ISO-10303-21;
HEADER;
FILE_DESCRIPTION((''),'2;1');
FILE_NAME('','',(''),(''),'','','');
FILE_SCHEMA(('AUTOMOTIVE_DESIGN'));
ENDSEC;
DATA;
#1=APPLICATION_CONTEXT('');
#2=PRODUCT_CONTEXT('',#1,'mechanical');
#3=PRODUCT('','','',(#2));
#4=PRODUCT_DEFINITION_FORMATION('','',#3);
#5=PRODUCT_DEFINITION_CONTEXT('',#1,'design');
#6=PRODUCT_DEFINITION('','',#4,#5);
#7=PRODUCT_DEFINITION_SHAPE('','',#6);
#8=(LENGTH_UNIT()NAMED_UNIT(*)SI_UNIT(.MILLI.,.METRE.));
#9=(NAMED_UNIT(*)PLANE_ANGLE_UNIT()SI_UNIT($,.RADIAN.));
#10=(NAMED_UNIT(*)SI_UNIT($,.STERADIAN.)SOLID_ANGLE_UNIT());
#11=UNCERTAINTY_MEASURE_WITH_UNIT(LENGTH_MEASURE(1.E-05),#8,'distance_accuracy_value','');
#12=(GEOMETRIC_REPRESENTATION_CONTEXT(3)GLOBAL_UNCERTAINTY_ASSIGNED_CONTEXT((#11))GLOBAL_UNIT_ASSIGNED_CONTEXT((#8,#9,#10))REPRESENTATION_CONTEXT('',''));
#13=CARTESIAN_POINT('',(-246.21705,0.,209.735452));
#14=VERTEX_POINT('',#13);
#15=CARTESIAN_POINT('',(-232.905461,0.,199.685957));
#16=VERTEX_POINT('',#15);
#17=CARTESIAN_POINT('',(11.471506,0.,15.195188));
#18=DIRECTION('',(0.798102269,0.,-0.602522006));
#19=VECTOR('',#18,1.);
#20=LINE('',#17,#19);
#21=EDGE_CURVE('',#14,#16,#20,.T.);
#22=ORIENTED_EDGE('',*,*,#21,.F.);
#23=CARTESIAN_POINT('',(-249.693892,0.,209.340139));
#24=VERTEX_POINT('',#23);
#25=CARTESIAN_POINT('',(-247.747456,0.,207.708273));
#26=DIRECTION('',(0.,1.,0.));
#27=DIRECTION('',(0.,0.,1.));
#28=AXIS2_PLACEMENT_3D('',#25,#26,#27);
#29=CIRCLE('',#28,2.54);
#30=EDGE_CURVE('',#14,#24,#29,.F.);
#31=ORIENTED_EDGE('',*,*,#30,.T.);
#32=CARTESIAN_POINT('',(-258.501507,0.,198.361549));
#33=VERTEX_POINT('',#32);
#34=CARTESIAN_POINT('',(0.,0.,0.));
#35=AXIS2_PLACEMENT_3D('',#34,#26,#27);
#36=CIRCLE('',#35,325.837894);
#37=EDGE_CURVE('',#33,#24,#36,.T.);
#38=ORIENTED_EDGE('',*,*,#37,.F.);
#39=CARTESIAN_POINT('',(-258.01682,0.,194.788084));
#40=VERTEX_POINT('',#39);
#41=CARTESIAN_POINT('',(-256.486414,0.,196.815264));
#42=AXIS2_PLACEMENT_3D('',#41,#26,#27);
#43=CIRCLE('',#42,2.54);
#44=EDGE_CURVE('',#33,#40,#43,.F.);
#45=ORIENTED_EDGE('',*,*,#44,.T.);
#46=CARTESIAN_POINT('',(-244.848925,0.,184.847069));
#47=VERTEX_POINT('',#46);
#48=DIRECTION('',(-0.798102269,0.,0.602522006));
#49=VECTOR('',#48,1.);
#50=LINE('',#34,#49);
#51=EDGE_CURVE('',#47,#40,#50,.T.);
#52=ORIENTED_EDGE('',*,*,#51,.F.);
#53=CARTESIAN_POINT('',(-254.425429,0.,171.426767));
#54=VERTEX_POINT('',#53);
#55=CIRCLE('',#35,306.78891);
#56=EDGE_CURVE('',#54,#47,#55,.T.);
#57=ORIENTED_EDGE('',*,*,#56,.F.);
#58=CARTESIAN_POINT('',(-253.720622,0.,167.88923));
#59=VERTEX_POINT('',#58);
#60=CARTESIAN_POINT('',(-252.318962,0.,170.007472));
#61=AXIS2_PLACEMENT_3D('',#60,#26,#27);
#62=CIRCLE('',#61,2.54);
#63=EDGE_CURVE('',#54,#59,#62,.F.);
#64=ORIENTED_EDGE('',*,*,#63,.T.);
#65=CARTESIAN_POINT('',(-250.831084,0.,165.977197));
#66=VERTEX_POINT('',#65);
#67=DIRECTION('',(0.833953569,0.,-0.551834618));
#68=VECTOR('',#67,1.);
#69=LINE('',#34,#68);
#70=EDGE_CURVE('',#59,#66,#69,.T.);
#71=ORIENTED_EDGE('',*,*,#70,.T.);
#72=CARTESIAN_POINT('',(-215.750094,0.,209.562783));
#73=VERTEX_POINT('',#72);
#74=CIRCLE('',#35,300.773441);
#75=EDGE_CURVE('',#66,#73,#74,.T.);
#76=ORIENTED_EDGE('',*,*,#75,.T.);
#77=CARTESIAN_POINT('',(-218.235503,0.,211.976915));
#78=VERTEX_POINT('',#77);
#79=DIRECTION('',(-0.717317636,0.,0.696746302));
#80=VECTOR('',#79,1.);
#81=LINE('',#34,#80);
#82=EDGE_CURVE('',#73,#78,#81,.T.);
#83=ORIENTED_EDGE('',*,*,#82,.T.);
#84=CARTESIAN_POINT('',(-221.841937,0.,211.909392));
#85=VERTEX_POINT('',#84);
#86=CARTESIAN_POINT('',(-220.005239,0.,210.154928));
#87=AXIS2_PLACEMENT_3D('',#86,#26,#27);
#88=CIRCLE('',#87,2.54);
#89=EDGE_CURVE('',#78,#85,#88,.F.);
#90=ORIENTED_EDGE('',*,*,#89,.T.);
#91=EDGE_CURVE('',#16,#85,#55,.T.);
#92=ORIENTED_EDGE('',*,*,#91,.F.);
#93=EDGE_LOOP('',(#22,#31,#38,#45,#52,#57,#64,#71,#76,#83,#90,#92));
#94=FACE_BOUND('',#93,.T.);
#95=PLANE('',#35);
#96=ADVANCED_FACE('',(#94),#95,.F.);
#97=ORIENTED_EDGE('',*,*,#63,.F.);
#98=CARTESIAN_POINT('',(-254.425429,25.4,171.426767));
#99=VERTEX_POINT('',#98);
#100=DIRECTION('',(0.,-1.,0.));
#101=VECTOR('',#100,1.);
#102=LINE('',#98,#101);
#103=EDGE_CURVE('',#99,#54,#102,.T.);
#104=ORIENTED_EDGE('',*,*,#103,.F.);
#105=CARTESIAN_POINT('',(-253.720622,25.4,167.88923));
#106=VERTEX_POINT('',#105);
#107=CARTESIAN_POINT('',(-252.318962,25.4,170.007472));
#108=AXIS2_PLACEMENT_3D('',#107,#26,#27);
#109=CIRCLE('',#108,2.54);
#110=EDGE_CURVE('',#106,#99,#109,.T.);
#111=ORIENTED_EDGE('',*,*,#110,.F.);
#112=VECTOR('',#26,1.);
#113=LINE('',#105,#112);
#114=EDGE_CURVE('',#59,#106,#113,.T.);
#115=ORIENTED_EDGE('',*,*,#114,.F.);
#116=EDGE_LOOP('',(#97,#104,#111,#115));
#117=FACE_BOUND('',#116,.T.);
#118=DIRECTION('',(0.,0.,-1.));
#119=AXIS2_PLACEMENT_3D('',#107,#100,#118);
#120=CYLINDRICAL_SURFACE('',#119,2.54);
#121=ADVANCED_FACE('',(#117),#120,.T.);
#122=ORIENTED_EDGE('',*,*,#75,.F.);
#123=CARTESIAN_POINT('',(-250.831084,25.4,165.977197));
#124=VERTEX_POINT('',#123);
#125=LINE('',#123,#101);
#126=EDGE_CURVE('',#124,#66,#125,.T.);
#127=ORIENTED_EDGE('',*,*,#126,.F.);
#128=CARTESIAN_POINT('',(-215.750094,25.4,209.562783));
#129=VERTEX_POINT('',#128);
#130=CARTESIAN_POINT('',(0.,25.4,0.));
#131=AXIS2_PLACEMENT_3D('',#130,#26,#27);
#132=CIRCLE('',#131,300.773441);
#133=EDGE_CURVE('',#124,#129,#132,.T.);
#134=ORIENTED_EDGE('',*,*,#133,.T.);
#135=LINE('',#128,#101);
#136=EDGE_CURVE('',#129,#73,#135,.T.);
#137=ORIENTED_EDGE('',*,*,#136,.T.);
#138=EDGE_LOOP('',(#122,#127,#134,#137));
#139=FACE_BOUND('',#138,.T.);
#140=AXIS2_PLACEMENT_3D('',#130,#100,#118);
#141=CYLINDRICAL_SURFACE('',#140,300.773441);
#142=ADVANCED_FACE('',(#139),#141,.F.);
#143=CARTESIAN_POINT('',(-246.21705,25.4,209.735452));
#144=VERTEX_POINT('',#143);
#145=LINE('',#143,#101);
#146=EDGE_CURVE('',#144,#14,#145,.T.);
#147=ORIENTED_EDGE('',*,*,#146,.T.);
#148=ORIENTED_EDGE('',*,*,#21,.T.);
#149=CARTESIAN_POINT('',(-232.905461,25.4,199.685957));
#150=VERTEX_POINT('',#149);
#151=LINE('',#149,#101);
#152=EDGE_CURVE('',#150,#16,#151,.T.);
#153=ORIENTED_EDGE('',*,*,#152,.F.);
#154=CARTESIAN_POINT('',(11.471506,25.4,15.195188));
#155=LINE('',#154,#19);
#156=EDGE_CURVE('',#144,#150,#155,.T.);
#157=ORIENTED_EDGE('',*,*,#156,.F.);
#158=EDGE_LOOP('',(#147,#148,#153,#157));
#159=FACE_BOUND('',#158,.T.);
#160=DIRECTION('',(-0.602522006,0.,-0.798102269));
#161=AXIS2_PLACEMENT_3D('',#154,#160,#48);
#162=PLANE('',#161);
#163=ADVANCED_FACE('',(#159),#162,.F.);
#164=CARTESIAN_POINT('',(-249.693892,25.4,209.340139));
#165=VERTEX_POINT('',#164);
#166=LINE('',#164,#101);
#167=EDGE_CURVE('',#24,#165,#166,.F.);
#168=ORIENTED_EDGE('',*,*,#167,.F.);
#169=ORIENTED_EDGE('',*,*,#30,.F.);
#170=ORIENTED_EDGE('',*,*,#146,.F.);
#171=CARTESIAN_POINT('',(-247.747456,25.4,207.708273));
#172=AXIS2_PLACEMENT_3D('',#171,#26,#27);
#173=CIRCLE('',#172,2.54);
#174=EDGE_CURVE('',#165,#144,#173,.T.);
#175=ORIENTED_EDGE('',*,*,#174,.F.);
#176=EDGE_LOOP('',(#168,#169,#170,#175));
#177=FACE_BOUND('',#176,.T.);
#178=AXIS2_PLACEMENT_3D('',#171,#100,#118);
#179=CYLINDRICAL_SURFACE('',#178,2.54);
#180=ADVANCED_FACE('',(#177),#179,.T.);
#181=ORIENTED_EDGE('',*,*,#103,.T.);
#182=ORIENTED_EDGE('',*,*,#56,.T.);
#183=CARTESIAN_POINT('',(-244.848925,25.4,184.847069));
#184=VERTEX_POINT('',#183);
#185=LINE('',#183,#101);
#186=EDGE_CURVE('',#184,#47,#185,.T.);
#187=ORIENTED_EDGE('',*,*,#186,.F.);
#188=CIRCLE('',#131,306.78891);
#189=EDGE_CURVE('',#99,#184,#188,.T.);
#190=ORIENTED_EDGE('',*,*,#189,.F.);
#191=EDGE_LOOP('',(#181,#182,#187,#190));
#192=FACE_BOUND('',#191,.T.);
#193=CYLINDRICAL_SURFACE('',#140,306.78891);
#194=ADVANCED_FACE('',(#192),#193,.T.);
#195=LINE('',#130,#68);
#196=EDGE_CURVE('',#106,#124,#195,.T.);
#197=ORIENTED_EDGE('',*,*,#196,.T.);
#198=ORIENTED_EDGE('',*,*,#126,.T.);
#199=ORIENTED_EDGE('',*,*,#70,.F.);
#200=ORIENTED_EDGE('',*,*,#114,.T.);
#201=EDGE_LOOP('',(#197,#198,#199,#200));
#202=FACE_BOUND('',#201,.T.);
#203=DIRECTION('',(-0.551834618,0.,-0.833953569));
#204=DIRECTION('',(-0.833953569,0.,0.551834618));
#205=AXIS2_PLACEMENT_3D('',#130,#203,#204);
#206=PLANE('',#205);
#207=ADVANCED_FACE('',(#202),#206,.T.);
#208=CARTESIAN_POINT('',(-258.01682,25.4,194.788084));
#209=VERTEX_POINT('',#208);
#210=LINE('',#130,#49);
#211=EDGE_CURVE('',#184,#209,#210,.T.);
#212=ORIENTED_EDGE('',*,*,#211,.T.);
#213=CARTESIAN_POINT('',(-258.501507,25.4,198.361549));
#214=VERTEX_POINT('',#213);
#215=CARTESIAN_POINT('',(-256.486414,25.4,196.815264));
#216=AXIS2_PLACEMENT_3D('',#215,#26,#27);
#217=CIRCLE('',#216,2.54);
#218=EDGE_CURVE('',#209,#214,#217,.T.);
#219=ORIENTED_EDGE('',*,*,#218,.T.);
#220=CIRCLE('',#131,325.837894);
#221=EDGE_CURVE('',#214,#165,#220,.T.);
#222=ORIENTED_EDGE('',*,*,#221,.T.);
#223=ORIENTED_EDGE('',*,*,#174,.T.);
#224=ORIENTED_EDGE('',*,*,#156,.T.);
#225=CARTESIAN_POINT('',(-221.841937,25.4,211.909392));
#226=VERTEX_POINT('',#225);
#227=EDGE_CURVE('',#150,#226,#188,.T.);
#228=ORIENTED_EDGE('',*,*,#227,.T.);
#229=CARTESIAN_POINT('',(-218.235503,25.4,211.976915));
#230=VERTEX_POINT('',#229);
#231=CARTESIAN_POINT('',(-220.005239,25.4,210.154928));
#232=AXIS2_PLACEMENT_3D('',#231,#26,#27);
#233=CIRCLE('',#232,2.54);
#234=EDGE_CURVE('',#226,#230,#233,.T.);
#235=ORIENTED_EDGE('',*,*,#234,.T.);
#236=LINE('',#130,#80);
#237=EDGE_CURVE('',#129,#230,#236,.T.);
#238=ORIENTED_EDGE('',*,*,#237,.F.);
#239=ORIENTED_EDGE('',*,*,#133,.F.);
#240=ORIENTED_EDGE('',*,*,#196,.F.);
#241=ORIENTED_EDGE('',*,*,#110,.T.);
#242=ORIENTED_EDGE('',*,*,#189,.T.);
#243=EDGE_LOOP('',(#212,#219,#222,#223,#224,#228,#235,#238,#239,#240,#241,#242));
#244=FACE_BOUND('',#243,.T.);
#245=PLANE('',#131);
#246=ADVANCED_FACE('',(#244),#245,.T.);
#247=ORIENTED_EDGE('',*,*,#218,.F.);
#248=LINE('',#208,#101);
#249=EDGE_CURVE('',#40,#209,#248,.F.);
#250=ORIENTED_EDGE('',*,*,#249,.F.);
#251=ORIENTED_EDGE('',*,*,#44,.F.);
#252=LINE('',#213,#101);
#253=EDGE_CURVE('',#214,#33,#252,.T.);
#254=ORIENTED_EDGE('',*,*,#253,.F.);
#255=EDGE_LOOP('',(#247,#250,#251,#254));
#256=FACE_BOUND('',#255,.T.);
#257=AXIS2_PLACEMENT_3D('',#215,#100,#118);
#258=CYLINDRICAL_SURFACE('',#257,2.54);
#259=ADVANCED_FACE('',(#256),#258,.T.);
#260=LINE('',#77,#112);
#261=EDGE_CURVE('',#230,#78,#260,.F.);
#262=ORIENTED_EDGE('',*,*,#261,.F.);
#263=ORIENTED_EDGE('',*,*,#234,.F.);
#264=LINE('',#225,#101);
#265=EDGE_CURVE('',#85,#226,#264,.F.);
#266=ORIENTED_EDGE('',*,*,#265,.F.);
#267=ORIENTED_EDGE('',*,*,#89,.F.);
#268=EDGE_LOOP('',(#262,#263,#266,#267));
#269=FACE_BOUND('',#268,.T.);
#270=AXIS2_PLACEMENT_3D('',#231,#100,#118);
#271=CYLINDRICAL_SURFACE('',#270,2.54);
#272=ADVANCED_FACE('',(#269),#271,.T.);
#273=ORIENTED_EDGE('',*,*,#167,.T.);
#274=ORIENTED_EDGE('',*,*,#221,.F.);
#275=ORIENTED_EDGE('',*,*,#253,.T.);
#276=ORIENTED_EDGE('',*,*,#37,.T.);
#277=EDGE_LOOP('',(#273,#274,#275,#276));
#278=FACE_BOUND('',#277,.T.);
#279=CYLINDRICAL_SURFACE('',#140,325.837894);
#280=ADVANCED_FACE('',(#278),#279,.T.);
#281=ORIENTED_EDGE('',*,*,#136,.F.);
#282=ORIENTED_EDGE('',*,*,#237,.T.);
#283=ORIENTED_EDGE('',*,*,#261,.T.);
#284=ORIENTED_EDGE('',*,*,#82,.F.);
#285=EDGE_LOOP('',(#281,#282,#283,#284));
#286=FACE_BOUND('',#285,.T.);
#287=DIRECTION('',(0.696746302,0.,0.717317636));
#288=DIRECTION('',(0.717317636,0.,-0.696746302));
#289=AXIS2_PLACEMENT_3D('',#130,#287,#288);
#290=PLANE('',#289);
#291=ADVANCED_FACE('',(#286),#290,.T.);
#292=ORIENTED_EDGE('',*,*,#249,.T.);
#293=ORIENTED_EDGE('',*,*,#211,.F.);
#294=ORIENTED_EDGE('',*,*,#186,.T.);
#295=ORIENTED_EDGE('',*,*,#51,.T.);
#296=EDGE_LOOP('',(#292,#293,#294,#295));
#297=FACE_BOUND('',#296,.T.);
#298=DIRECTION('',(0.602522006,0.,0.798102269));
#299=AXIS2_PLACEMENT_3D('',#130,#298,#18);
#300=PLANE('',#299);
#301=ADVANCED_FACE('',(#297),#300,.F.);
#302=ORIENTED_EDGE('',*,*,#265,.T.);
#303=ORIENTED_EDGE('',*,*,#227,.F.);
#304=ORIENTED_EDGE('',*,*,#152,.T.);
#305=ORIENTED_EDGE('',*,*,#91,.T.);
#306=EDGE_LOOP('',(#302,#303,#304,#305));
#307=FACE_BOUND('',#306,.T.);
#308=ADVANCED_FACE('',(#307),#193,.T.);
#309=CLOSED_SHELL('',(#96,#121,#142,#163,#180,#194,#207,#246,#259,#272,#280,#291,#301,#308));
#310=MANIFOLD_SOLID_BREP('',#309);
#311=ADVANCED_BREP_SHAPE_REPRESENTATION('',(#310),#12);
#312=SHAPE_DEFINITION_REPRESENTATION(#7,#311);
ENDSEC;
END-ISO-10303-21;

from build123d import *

# Parameters (mm, degrees)
BOSS_EXTRUDE1_DEPTH = 25.4
FILLET1_R           = 2.54


with BuildPart() as part:
    # Sketch1 → Boss-Extrude1 (new body)
    with BuildSketch(Plane(origin=(0, 0, 0), x_dir=(1, 0, 0), z_dir=(0, 1, 0))):
        with BuildLine():
            Line((-244.848924974, -184.847069368), (-240.047965661, -181.222617027))
            ThreePointArc((-240.047965661, -181.222617027), (-245.557867235, -173.683610566), (-250.831084415, -165.977196721))
            Line((-250.831084415, -165.977196721), (-255.847706103, -169.296740655))
            ThreePointArc((-255.847706103, -169.296740655), (-250.469024579, -177.157282777), (-244.848924974, -184.847069368))
        make_face()
        with BuildLine():
            ThreePointArc((-215.750093665, -209.562782535), (-228.339131483, -195.770027771), (-240.047965661, -181.222617027))
            Line((-240.047965661, -181.222617027), (-244.848924974, -184.847069368))
            ThreePointArc((-244.848924974, -184.847069368), (-238.99238799, -192.359230601), (-232.905461186, -199.685956603))
            ThreePointArc((-232.905461186, -199.685956603), (-226.594481496, -206.819670414), (-220.065095538, -213.754038186))
            Line((-220.065095538, -213.754038186), (-215.750093665, -209.562782535))
        make_face()
        with BuildLine():
            ThreePointArc((-232.905461186, -199.685956603), (-238.99238799, -192.359230601), (-244.848924974, -184.847069368))
            Line((-244.848924974, -184.847069368), (-260.051962799, -196.32450178))
            ThreePointArc((-260.051962799, -196.32450178), (-254.20265496, -203.841466748), (-248.136139057, -211.184255684))
            Line((-248.136139057, -211.184255684), (-232.905461186, -199.685956603))
        make_face()
    extrude(amount=BOSS_EXTRUDE1_DEPTH)

    # Fillet1
    fillet1_edges = [part.edges().sort_by_distance(p)[0] for p in [
        (-220.065095538, 12.7, 213.754038186),
        (-248.136139057, 12.7, 211.184255684),
        (-260.051962799, 12.7, 196.32450178),
        (-255.847706103, 12.7, 169.296740655),
    ]]
    fillet(fillet1_edges, radius=FILLET1_R)


solid = part.part
